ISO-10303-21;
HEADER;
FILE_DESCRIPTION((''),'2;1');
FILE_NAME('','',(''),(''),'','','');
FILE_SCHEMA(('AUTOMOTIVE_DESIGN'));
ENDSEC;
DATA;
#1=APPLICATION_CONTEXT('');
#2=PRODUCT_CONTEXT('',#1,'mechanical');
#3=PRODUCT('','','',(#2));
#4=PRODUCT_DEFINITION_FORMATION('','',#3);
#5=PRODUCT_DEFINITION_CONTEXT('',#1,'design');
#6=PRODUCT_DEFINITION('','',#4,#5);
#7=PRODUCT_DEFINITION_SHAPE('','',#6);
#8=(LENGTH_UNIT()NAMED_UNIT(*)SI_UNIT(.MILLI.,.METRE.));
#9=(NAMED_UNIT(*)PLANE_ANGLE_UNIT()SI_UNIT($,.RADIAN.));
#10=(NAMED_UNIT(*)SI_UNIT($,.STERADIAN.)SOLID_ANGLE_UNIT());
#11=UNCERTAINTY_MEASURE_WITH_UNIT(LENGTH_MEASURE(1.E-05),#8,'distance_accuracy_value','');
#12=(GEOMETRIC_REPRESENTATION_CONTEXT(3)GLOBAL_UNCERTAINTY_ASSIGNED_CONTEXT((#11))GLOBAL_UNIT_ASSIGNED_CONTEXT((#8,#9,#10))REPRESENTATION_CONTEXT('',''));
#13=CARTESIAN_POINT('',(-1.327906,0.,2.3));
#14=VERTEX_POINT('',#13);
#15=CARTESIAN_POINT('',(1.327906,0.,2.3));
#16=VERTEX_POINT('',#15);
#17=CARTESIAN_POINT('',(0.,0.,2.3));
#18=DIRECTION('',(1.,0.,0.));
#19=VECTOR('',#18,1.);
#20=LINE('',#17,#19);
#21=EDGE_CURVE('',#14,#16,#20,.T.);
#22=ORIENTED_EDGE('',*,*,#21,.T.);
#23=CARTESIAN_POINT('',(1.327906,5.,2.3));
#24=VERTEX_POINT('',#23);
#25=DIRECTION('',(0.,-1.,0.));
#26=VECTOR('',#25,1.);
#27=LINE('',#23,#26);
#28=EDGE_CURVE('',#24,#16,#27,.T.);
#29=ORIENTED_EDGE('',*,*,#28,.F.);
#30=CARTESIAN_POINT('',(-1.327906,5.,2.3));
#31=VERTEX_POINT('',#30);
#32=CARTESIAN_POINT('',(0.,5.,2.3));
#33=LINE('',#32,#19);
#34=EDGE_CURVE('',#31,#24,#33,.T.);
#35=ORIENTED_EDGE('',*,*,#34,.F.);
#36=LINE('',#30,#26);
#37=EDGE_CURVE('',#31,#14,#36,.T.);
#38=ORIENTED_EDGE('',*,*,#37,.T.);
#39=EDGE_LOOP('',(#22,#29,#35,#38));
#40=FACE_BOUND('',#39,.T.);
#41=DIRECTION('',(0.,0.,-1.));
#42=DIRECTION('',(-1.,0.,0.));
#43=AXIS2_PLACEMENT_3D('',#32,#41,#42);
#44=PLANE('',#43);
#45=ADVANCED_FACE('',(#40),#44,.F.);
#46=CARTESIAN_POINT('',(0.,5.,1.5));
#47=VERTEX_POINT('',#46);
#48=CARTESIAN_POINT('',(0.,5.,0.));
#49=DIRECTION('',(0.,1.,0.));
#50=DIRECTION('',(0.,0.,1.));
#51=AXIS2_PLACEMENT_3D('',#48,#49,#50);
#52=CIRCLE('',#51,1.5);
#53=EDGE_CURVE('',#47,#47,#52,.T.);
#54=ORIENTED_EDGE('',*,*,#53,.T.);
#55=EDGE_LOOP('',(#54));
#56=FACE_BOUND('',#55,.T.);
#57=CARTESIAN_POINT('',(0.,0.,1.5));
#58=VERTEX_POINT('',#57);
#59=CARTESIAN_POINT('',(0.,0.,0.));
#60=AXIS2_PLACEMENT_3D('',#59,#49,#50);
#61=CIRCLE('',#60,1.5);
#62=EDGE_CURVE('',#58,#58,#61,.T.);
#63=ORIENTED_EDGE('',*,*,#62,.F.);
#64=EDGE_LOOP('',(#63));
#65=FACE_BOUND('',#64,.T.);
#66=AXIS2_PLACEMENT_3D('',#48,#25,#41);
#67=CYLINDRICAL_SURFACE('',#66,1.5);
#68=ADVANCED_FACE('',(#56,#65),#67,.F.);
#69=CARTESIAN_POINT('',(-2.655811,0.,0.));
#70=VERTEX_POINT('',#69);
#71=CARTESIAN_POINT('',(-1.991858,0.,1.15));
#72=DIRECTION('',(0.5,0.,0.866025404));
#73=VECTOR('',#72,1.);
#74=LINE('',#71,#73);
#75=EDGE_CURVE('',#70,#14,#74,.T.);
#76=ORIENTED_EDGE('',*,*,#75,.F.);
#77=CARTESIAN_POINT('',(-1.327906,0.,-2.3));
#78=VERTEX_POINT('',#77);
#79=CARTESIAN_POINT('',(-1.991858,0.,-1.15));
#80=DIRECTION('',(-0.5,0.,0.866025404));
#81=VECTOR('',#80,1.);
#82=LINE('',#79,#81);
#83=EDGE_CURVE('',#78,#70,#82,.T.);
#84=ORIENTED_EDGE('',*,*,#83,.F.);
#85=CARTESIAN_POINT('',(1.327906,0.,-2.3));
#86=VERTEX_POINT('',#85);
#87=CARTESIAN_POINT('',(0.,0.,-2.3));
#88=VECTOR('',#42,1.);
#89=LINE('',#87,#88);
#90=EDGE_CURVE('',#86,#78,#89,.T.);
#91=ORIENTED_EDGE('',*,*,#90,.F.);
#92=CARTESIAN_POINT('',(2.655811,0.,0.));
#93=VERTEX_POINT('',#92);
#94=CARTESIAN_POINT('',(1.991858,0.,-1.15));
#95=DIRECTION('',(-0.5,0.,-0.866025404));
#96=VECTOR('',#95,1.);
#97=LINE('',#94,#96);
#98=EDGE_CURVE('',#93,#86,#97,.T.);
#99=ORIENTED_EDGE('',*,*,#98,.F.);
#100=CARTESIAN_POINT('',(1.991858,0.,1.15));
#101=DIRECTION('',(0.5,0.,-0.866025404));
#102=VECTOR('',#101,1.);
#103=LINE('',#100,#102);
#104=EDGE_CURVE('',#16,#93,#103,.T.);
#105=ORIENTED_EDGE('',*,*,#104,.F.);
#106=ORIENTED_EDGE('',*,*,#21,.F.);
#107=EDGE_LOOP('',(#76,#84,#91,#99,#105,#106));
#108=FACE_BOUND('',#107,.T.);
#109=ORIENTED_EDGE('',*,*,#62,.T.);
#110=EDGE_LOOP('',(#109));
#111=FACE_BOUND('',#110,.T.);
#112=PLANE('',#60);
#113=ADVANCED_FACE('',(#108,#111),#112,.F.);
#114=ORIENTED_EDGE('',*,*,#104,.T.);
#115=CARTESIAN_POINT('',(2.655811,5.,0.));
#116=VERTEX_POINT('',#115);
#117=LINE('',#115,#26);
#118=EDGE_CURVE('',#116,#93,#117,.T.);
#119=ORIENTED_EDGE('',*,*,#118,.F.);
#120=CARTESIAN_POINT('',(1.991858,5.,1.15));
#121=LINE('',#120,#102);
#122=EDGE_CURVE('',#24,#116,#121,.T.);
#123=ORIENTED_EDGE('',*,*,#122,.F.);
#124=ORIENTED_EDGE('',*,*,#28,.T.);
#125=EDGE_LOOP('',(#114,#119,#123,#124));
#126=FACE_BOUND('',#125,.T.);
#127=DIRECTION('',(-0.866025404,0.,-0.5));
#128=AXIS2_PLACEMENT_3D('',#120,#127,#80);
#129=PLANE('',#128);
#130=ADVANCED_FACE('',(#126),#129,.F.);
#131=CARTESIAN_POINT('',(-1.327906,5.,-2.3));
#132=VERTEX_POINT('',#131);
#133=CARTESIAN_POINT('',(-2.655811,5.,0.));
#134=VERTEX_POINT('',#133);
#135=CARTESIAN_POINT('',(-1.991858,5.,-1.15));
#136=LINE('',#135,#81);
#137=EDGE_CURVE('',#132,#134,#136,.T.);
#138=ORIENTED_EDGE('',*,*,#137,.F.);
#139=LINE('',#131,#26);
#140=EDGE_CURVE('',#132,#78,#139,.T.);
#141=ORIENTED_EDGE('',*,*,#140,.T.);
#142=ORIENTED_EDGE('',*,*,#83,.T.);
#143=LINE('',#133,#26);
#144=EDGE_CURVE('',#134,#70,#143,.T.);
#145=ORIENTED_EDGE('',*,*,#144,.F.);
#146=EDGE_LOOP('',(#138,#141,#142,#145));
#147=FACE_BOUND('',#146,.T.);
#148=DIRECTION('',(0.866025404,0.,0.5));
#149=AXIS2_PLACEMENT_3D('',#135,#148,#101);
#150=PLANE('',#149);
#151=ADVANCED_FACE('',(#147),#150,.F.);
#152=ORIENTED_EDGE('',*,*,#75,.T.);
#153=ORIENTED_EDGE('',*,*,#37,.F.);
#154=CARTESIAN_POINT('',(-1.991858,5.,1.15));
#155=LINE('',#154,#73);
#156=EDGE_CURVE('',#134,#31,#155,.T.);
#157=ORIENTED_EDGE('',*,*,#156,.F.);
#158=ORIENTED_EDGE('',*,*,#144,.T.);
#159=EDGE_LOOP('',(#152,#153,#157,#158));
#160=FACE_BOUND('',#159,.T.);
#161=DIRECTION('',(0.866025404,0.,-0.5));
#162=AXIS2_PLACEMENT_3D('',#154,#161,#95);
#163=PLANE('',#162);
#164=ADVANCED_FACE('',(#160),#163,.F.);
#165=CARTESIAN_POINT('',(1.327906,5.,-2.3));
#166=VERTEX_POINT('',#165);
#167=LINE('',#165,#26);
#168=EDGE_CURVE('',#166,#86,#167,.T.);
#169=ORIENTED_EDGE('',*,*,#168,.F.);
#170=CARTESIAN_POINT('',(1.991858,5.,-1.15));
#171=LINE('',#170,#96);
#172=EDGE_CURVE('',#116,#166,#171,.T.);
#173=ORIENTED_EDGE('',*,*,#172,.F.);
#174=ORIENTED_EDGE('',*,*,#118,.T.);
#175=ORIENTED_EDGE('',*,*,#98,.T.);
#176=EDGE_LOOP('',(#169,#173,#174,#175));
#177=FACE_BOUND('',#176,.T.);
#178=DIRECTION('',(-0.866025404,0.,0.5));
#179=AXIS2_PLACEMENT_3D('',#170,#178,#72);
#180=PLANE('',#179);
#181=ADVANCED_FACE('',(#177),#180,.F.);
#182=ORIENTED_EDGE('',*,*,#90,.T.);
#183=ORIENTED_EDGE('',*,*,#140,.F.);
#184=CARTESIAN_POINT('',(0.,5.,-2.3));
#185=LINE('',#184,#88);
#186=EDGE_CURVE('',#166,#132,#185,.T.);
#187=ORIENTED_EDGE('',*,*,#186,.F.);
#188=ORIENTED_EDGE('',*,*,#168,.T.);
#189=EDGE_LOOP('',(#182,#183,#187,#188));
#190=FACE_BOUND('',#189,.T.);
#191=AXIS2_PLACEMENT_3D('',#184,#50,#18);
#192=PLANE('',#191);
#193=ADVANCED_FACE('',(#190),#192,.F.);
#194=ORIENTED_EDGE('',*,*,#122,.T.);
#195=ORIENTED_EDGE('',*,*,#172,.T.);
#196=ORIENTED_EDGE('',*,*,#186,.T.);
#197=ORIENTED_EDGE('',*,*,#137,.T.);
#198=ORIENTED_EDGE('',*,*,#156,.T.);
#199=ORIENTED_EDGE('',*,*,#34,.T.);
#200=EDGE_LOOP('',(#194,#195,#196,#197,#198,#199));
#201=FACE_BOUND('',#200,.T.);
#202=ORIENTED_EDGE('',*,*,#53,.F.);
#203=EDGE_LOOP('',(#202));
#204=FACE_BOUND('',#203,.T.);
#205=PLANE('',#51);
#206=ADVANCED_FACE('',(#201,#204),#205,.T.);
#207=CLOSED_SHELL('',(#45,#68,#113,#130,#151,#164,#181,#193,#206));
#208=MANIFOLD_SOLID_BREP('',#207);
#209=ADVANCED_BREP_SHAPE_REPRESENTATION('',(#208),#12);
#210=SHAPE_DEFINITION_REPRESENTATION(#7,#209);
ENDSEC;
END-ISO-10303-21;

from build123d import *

# Parameters (mm, degrees)
SKETCH_1_R      = 1.5
EXTRUDE_2_DEPTH = 5


with BuildPart() as part:
    # 草图1 → 凸台-拉伸2 (new body)
    with BuildSketch(Plane(origin=(0, 0, 0), x_dir=(1, 0, 0), z_dir=(0, 1, 0))):
        Polygon((-1.327905619, 2.3), (-2.655811238, 0), (-1.327905619, -2.3), (1.327905619, -2.3), (2.655811238, 0), (1.327905619, 2.3), align=None)
        Circle(SKETCH_1_R, mode=Mode.SUBTRACT)
    extrude(amount=EXTRUDE_2_DEPTH)


solid = part.part
